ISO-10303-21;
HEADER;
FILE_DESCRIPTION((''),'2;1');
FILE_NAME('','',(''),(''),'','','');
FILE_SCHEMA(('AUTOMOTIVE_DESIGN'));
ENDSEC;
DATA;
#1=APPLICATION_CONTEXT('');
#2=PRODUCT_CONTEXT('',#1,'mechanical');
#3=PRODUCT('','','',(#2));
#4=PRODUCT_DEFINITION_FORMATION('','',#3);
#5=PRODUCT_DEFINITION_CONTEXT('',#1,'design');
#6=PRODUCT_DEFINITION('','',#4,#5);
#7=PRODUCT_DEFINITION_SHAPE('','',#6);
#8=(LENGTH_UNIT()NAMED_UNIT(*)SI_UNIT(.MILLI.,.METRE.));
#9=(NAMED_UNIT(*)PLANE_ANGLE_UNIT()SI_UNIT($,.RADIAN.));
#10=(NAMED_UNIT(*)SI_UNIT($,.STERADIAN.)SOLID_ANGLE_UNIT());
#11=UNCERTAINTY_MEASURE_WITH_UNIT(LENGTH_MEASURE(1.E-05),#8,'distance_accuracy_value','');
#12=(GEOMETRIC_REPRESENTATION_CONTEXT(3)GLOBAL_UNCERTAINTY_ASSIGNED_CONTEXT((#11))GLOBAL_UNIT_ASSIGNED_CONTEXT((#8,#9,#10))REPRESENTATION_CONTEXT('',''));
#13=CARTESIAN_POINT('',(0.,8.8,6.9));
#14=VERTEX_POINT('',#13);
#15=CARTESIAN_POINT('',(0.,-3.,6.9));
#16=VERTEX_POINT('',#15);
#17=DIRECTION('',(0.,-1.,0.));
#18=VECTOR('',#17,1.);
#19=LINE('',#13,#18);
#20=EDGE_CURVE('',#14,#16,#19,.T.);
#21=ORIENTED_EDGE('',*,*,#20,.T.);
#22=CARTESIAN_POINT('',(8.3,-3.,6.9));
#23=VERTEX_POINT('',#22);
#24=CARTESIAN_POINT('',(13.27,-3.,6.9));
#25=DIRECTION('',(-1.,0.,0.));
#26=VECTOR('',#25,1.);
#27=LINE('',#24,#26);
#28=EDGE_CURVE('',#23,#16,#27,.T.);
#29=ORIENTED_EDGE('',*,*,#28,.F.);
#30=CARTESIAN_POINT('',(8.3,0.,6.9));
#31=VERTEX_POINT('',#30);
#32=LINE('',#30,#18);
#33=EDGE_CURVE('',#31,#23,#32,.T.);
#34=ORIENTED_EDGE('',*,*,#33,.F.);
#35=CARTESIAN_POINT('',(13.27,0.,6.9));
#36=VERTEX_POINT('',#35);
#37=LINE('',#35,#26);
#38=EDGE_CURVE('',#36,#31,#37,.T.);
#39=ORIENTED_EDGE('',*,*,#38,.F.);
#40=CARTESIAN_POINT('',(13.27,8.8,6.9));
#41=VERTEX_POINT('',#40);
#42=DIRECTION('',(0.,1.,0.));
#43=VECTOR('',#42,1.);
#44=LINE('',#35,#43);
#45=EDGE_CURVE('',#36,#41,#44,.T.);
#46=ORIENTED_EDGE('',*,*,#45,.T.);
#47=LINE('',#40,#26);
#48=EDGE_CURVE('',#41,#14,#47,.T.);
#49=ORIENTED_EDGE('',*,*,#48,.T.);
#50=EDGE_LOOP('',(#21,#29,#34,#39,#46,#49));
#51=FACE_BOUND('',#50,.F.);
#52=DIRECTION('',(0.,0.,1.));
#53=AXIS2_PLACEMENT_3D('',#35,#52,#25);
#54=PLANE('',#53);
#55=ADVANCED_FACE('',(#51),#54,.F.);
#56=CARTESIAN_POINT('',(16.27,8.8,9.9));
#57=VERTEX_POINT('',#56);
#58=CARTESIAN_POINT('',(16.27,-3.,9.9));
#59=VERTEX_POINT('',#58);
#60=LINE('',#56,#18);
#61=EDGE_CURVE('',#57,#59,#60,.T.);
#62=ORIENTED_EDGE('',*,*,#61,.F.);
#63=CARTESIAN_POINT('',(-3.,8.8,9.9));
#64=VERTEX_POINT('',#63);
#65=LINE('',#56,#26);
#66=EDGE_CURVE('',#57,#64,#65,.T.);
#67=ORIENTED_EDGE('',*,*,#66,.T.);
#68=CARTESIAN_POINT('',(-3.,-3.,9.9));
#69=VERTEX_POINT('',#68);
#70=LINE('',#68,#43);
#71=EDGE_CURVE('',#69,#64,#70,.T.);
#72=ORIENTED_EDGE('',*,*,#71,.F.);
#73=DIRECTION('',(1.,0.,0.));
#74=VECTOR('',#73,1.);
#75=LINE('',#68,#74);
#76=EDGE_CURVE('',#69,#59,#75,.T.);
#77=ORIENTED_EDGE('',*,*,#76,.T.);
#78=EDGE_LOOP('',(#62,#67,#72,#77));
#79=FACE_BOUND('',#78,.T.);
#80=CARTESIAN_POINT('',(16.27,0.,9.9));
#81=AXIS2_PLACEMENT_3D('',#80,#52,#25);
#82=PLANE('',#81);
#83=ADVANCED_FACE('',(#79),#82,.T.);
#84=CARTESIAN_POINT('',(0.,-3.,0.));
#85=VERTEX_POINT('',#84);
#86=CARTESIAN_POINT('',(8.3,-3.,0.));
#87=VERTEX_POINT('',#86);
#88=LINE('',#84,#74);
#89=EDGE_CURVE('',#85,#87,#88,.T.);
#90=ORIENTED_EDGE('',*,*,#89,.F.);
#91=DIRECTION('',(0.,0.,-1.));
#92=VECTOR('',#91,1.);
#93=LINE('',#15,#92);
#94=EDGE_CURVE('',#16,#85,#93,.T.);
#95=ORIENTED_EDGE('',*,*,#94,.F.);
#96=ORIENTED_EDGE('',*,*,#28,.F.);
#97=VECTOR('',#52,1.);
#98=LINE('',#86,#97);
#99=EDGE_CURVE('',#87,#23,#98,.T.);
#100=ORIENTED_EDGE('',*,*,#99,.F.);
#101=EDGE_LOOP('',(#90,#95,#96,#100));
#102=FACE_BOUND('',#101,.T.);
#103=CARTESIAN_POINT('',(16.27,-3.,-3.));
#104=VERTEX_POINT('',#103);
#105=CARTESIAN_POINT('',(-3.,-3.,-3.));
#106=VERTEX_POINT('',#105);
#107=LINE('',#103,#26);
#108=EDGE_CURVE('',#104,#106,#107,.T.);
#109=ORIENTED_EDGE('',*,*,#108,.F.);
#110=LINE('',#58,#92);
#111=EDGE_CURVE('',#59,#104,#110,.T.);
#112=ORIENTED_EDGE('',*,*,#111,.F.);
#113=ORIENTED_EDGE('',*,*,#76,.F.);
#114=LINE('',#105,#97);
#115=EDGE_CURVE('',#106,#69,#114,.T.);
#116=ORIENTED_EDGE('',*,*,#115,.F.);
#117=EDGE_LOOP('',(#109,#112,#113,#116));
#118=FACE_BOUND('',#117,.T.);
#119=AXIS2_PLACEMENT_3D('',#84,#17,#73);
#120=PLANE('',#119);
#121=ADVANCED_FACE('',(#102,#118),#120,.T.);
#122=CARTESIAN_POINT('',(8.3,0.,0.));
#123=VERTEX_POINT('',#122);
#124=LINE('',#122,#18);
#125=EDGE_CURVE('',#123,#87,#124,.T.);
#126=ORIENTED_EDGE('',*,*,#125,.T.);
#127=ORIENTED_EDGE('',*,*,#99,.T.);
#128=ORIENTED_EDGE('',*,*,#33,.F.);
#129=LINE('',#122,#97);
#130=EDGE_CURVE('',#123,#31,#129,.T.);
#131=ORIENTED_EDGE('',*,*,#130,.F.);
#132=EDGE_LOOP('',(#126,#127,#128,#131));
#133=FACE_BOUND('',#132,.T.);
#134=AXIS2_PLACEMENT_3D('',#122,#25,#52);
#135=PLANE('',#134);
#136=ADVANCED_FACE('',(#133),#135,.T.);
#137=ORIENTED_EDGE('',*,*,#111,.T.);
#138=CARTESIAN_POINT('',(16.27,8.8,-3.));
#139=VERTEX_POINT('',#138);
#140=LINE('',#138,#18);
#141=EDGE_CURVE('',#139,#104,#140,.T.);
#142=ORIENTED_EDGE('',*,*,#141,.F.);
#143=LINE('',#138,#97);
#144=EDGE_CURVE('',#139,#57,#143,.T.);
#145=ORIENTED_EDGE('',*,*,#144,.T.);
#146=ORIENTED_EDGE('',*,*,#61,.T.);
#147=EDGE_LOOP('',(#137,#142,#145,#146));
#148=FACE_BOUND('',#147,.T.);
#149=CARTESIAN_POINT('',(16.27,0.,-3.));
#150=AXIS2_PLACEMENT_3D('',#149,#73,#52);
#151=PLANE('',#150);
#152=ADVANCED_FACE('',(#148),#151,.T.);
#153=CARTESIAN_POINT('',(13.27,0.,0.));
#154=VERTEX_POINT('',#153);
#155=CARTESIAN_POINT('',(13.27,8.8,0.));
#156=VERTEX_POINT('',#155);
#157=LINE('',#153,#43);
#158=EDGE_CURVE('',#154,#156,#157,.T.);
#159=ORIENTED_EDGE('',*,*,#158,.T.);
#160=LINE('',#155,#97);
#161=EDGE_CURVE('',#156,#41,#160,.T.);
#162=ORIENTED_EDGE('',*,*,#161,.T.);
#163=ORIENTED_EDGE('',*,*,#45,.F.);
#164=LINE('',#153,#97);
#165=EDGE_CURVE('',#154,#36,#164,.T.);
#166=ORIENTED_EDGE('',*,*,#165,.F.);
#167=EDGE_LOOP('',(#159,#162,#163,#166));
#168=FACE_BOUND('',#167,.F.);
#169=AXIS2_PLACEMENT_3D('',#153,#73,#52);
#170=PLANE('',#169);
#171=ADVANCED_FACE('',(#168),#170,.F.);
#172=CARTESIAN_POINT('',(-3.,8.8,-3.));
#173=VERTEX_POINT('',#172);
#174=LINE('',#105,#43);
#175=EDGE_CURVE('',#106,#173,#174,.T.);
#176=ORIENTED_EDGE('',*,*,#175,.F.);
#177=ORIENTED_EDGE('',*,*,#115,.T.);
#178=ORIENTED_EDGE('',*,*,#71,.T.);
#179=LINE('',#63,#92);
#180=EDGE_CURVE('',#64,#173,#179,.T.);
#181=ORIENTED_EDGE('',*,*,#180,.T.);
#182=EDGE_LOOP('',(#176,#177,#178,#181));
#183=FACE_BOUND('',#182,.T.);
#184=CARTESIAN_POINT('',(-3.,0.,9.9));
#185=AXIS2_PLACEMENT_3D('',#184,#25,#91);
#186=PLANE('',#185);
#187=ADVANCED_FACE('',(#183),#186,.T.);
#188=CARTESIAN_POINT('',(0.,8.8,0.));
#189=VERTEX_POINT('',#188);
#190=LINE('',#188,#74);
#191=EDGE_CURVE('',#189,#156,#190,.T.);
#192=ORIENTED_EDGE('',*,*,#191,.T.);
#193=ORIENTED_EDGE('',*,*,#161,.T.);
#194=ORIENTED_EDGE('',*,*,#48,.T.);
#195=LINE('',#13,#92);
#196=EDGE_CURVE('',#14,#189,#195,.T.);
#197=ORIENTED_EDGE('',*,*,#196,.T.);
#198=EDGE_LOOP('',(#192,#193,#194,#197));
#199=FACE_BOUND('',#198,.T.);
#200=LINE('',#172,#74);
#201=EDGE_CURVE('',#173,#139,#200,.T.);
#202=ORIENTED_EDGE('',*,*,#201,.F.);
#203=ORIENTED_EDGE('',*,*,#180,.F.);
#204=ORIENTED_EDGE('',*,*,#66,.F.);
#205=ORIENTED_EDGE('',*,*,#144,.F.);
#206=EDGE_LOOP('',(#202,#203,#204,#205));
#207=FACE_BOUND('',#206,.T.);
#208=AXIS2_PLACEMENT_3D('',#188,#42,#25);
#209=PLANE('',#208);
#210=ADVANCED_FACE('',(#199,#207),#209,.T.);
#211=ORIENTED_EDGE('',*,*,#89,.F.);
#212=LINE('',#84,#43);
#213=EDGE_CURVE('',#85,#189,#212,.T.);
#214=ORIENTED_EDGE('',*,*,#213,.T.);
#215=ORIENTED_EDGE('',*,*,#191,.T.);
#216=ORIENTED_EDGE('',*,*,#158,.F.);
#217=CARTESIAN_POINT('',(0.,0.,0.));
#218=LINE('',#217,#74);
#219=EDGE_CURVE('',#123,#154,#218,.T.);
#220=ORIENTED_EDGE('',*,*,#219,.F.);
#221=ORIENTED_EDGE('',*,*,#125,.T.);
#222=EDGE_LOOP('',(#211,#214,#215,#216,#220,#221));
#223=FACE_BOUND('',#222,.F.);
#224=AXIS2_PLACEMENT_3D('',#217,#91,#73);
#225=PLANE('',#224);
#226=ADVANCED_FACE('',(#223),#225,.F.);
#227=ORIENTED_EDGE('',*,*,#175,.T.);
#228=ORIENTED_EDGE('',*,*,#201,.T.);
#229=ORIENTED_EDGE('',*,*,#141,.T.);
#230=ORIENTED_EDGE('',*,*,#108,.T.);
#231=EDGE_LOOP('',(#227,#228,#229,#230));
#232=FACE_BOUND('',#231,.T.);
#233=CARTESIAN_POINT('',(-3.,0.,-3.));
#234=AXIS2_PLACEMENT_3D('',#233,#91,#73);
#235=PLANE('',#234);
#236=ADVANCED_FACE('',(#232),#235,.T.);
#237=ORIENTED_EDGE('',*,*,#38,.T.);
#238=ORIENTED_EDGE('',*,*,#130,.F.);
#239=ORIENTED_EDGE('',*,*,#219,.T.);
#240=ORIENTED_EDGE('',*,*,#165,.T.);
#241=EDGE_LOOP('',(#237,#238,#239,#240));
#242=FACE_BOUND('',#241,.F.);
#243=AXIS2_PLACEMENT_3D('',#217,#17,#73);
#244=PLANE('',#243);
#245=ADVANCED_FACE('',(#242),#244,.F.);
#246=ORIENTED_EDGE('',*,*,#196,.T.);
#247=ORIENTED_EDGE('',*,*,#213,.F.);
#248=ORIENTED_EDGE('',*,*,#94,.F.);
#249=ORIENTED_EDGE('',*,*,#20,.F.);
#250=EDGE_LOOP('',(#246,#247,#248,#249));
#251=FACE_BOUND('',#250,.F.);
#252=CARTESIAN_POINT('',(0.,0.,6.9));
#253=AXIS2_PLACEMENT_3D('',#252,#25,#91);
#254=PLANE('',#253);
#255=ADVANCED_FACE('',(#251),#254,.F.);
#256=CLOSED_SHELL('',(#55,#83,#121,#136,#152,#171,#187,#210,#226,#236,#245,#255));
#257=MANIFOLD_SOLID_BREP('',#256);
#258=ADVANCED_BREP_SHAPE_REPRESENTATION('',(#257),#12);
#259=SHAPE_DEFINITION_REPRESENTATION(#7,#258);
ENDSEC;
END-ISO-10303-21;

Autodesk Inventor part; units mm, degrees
ref_plane "YZ Plane" through (0, 0, 0) normal (1, 0, 0) x (0, 1, 0)
ref_plane "XZ Plane" through (0, 0, 0) normal (0, 1, 0) x (-1, 0, 0)
ref_plane "XY Plane" through (0, 0, 0) normal (0, 0, 1) x (1, 0, 0)
sketch "Sketch1" plane through (0, 0, 0) normal (0, 1, 0) x (-1, 0, 0)
  line L0 (0, 0) -> (-13.27, 0)
  line L1 (-13.27, 0) -> (-13.27, 6.9)
  line L2 (-13.27, 6.9) -> (0, 6.9)
  line L3 (0, 6.9) -> (0, 0)
  line L4 (3, -3) -> (-16.27, -3)
  line L5 (-16.27, -3) -> (-16.27, 9.9)
  line L6 (-16.27, 9.9) -> (3, 9.9)
  line L7 (3, 9.9) -> (3, -3)
  point P0 (-6.635, -3)
  point P1 (-6.635, 0)
  point P2 (3, 3.45)
  dimension "d0" = 13.27
  dimension "d1" = 6.9
  dimension "d2" = 3
  dimension "d3" = 3
  dimension "d4" = 3
  dimension "d5" = 3
extrude "Extrusion1" add sketch "Sketch1" along normal blind 8.8
sketch "Sketch2" plane through (0, 0, 0) normal (0, -1, 0) x (1, 0, 0)
  line L0 (-3, 9.9) -> (16.27, 9.9) projected
  line L1 (16.27, -3) -> (-3, -3) projected
  line L2 (-3, 9.9) -> (16.27, 9.9)
  line L3 (16.27, 9.9) -> (16.27, -3)
  line L4 (16.27, -3) -> (-3, -3)
  line L5 (-3, -3) -> (-3, 9.9)
  point P0 (0, 0)
  point P1 (16.27, 9.9)
extrude "Extrusion2" add sketch "Sketch2" along normal blind 3
sketch "Sketch3" plane through (0, 0, 0) normal (0, 1, 0) x (1, 0, 0)
  line L0 (0, -6.9) -> (0, 0) projected
  line L1 (13.27, -6.9) -> (0, -6.9) projected
  line L2 (0, 0) -> (8.3, 0)
  line L3 (8.3, 0) -> (8.3, -6.9)
  line L4 (8.3, -6.9) -> (0, -6.9)
  line L5 (0, -6.9) -> (0, 0)
  dimension "d10" = 8.3
extrude "Extrusion3" cut sketch "Sketch3" against normal blind 3
equation "\"d3\" = d2"
equation "\"d5\" = d4"
properties part number "switch test v03"
